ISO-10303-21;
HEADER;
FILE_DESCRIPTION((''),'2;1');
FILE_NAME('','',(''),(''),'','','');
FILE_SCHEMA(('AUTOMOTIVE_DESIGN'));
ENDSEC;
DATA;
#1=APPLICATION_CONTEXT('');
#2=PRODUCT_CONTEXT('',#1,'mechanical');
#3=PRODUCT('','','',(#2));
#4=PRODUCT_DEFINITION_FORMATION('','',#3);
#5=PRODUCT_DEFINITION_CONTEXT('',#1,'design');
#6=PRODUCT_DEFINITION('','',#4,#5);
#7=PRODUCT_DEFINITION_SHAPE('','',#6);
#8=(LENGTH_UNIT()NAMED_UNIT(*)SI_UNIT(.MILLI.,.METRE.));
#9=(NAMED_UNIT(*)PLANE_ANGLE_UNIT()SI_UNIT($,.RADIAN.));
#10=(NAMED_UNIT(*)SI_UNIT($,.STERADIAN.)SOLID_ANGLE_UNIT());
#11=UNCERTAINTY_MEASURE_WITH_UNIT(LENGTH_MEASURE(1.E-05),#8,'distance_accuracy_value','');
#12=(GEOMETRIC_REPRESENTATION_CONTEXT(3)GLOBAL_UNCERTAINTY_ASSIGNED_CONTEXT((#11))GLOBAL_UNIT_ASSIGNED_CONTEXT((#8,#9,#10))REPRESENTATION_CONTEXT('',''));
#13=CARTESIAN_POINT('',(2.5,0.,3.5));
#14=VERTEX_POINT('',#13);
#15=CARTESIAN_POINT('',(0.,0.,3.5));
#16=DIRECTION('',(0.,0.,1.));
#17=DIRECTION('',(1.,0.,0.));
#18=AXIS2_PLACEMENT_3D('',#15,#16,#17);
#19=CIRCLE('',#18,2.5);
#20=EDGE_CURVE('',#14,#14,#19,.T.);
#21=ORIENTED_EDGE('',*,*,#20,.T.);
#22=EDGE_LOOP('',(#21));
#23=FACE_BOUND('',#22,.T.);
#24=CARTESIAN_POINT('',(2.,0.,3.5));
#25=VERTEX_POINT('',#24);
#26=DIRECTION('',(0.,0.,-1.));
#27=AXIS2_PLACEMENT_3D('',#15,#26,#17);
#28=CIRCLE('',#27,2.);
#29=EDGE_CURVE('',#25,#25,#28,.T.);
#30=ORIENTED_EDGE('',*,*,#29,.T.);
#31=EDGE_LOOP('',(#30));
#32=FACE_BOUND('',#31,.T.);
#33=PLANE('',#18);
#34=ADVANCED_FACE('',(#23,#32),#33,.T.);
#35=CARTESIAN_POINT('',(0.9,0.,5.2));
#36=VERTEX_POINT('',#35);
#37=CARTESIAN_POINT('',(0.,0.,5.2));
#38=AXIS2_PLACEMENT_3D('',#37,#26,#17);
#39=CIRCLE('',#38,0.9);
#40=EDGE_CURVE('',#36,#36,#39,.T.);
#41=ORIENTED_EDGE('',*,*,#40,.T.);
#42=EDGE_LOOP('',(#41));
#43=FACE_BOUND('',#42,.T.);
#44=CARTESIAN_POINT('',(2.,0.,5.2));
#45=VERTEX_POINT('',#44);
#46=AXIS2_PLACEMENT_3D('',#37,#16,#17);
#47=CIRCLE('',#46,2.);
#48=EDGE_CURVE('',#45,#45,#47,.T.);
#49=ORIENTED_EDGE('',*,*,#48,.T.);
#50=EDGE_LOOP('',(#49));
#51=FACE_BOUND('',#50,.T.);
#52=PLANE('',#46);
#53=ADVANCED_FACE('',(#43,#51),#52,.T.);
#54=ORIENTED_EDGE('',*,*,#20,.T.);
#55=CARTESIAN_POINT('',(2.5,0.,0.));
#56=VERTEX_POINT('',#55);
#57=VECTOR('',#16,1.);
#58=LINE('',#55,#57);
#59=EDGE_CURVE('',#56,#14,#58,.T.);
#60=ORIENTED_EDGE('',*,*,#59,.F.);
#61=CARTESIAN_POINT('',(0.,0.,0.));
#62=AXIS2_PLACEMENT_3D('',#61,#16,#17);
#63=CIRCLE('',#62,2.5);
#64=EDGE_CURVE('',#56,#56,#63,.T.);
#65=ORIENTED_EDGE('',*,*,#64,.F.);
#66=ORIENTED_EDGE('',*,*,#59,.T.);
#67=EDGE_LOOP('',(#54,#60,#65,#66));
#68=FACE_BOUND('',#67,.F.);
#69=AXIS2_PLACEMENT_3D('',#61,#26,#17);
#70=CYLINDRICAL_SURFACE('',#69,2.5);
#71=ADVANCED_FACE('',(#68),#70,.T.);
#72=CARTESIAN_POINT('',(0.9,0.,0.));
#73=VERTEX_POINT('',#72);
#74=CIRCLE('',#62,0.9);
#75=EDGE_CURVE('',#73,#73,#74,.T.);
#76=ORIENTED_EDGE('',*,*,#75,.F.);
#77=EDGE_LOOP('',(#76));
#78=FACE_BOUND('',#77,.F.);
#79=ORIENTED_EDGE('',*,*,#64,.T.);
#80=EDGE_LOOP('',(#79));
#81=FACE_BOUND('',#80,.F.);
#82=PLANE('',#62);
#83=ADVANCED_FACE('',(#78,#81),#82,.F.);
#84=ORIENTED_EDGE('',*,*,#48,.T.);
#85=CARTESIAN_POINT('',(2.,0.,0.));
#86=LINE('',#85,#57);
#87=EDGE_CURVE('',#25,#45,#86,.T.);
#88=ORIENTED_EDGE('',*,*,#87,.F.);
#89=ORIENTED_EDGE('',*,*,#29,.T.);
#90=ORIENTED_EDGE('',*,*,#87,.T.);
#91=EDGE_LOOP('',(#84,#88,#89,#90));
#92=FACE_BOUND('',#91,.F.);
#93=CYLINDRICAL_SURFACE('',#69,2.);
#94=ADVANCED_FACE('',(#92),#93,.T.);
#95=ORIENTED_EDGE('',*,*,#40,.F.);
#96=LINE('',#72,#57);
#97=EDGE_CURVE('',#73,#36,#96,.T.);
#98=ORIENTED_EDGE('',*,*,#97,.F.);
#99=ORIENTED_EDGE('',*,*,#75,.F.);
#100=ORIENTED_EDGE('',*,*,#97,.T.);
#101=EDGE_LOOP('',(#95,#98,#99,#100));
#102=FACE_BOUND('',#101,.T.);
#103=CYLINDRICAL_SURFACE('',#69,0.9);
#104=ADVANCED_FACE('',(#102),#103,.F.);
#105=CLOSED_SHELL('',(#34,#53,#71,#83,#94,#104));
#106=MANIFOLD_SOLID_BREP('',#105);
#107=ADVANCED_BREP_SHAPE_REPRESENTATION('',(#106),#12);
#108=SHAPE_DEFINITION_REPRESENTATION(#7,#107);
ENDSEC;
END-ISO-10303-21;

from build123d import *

# Parameters (mm, degrees)
CYLINDER002_R     = 0.9
CYLINDER002_DEPTH = 10
CYLINDER_R        = 2.5
CYLINDER_DEPTH    = 3.5
CYLINDER001_R     = 2
CYLINDER001_DEPTH = 5.2


with BuildPart() as cylinder002:
    # Cylinder002 → Cylinder002 (new body)
    with BuildSketch(Plane.XY):
        Circle(CYLINDER002_R)
    extrude(amount=CYLINDER002_DEPTH)


with BuildPart() as cylinder:
    # Cylinder → Cylinder (new body)
    with BuildSketch(Plane.XY):
        Circle(CYLINDER_R)
    extrude(amount=CYLINDER_DEPTH)


with BuildPart() as markor4mmod_m2:
    # Cylinder001 → Cylinder001 (new body)
    with BuildSketch(Plane.XY):
        Circle(CYLINDER001_R)
    extrude(amount=CYLINDER001_DEPTH)

    # Fusion: union Cylinder
    add(cylinder.part)

    # Cut: cut Cylinder002
    add(cylinder002.part, mode=Mode.SUBTRACT)


solid = markor4mmod_m2.part
